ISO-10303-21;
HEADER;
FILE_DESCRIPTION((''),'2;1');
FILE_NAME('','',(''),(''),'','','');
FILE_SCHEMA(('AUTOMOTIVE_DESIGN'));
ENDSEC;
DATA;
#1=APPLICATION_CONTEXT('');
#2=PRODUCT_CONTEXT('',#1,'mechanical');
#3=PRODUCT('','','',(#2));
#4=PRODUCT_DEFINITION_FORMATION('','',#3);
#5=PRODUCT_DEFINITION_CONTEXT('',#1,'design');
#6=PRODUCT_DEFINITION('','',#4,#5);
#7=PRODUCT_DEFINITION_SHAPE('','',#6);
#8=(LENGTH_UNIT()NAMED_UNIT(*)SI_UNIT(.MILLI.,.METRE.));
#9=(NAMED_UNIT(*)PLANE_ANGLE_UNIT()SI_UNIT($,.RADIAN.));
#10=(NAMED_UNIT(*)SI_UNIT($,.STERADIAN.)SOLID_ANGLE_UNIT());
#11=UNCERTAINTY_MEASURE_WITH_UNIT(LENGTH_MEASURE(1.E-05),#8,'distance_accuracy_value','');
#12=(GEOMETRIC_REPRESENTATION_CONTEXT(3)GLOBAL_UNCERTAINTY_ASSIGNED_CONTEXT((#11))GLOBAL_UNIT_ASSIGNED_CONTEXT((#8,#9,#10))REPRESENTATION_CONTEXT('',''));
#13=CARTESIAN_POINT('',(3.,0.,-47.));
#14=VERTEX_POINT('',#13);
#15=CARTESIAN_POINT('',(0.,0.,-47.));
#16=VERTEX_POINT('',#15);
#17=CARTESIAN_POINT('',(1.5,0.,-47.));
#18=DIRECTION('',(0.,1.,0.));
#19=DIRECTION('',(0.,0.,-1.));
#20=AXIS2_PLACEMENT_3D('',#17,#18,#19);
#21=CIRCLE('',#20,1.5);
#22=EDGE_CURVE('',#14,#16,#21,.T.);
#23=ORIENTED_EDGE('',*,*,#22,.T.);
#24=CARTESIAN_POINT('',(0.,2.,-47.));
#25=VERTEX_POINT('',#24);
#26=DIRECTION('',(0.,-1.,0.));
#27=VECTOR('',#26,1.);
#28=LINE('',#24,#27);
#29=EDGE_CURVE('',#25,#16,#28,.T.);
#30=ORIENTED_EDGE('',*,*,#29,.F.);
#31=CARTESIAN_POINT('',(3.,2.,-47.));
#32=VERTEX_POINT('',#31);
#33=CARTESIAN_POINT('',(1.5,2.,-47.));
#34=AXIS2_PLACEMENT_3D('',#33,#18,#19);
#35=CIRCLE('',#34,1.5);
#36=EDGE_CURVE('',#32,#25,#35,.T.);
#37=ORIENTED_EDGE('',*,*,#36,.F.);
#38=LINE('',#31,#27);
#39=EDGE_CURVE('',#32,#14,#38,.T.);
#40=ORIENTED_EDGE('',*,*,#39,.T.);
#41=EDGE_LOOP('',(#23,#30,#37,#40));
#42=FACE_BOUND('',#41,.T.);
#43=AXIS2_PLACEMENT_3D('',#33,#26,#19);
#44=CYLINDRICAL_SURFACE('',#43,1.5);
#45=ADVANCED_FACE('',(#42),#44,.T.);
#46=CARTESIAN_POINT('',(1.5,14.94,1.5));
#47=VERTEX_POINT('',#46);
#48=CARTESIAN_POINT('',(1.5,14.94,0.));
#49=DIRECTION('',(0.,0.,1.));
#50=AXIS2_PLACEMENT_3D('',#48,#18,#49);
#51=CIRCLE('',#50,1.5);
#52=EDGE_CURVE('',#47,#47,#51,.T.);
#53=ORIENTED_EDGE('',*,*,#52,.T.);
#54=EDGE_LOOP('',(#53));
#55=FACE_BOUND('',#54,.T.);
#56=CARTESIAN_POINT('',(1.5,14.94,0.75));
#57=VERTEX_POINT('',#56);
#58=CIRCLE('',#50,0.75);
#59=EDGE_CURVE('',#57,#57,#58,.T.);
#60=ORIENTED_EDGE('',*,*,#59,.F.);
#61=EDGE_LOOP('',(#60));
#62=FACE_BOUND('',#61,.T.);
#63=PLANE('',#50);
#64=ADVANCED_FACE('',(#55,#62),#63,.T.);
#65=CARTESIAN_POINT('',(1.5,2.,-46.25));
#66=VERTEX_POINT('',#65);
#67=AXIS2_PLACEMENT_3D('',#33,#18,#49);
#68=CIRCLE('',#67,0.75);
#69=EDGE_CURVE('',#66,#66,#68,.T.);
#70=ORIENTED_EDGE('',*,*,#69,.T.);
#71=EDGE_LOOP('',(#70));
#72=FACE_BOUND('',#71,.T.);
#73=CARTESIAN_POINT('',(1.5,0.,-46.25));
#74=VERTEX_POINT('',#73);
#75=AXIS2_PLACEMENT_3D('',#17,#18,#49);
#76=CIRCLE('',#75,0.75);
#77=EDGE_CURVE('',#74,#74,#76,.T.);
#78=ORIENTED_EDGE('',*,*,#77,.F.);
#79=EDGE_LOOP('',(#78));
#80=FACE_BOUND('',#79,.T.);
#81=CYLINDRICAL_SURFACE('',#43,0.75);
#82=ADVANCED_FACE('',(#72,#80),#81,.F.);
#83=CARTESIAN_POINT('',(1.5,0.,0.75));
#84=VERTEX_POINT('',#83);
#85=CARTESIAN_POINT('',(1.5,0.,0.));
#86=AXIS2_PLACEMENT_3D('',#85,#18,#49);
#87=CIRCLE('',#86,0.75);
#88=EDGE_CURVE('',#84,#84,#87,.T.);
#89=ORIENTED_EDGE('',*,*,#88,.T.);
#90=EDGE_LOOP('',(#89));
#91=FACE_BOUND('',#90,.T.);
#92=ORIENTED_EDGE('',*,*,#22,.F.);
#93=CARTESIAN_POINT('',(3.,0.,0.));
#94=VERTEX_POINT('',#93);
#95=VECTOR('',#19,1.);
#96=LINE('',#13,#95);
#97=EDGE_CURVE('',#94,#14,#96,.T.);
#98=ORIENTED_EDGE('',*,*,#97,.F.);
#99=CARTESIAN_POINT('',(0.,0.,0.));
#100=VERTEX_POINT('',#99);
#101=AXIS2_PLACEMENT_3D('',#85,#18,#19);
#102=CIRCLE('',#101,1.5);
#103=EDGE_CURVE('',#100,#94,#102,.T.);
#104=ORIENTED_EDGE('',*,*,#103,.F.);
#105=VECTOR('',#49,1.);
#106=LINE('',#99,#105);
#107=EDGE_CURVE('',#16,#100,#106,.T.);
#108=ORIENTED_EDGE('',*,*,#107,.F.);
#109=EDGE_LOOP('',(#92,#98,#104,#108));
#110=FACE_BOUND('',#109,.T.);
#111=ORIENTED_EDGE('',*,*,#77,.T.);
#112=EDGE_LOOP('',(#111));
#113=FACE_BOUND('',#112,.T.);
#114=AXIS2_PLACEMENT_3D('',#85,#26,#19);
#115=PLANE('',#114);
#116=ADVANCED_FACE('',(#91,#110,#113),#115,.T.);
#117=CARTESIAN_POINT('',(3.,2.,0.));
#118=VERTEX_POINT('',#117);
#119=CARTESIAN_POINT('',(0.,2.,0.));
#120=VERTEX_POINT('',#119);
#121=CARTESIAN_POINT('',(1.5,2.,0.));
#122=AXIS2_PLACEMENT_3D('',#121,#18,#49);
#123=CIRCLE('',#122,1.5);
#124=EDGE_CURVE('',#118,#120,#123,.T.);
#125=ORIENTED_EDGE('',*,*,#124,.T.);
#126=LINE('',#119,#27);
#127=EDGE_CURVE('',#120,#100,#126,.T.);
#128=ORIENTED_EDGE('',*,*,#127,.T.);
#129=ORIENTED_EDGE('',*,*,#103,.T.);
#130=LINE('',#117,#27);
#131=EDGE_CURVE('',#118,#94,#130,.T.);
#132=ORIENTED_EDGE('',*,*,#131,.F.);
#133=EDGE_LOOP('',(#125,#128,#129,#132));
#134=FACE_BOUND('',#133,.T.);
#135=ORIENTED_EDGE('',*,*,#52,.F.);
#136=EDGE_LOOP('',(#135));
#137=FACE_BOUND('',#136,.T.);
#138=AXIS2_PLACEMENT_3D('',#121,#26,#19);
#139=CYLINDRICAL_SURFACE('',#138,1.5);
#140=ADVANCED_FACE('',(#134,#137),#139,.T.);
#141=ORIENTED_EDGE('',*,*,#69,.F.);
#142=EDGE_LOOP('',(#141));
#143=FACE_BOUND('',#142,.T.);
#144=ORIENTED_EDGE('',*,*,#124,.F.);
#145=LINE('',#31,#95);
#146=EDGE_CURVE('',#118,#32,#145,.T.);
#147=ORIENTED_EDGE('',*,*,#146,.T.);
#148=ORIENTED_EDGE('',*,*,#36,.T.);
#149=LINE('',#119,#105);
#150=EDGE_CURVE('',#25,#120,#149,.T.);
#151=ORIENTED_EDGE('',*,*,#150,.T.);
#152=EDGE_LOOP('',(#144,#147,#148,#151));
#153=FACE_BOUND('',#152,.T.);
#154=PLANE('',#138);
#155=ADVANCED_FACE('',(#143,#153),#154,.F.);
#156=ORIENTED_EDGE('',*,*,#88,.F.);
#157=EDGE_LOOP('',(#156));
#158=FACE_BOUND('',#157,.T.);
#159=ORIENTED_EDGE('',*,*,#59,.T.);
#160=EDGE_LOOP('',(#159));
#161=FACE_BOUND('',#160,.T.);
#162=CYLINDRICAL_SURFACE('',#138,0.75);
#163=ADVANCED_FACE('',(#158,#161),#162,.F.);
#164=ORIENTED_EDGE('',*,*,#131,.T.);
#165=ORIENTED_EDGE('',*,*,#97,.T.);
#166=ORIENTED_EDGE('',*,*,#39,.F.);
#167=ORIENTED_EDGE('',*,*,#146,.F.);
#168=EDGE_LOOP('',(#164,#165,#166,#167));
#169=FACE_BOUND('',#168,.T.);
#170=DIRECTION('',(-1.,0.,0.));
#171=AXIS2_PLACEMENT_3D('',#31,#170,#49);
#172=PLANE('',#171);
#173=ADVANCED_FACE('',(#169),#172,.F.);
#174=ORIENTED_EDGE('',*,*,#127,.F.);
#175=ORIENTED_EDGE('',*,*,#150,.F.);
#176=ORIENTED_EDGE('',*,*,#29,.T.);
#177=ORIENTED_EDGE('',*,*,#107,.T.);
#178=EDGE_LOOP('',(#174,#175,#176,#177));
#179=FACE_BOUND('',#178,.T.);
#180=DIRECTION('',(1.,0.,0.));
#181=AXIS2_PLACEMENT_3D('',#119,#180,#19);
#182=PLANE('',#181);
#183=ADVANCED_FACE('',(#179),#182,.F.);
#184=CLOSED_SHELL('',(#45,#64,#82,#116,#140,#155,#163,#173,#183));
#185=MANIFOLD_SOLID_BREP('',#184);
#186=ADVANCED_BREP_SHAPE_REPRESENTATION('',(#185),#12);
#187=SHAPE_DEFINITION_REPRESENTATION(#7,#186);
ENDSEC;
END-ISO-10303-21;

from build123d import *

# Parameters (mm, degrees)
SKETCH1_R           = 0.75
BOSS_EXTRUDE2_DEPTH = 2
SKETCH2_R           = 1.5
SKETCH2_R_2         = 0.75
BOSS_EXTRUDE3_DEPTH = 12.94


with BuildPart() as part:
    # Sketch1 → Boss-Extrude2 (new body)
    with BuildSketch(Plane(origin=(0, 0, 0), x_dir=(1, 0, 0), z_dir=(0, 1, 0))):
        with BuildLine():
            Line((0, 0), (0, 47))
            ThreePointArc((0, 47), (1.5, 48.5), (3, 47))
            Line((3, 47), (3, 0))
            ThreePointArc((3, 0), (1.5, -1.5), (0, 0))
        make_face()
        with Locations(Location((1.5, 0, 0), (0, 0, 270))):
            Circle(SKETCH1_R, mode=Mode.SUBTRACT)
        with Locations(Location((1.5, 47, 0), (0, 0, 270))):
            Circle(SKETCH1_R, mode=Mode.SUBTRACT)
    extrude(amount=BOSS_EXTRUDE2_DEPTH)

    # Sketch2 → Boss-Extrude3 (add)
    with BuildSketch(Plane(origin=(0, 2, 0), x_dir=(1, 0, 0), z_dir=(0, 1, 0))):
        with Locations((1.5, 0)):
            Circle(SKETCH2_R)
        with Locations(Location((1.5, 0, 0), (0, 0, 270))):
            Circle(SKETCH2_R_2, mode=Mode.SUBTRACT)
    extrude(amount=BOSS_EXTRUDE3_DEPTH)


solid = part.part
